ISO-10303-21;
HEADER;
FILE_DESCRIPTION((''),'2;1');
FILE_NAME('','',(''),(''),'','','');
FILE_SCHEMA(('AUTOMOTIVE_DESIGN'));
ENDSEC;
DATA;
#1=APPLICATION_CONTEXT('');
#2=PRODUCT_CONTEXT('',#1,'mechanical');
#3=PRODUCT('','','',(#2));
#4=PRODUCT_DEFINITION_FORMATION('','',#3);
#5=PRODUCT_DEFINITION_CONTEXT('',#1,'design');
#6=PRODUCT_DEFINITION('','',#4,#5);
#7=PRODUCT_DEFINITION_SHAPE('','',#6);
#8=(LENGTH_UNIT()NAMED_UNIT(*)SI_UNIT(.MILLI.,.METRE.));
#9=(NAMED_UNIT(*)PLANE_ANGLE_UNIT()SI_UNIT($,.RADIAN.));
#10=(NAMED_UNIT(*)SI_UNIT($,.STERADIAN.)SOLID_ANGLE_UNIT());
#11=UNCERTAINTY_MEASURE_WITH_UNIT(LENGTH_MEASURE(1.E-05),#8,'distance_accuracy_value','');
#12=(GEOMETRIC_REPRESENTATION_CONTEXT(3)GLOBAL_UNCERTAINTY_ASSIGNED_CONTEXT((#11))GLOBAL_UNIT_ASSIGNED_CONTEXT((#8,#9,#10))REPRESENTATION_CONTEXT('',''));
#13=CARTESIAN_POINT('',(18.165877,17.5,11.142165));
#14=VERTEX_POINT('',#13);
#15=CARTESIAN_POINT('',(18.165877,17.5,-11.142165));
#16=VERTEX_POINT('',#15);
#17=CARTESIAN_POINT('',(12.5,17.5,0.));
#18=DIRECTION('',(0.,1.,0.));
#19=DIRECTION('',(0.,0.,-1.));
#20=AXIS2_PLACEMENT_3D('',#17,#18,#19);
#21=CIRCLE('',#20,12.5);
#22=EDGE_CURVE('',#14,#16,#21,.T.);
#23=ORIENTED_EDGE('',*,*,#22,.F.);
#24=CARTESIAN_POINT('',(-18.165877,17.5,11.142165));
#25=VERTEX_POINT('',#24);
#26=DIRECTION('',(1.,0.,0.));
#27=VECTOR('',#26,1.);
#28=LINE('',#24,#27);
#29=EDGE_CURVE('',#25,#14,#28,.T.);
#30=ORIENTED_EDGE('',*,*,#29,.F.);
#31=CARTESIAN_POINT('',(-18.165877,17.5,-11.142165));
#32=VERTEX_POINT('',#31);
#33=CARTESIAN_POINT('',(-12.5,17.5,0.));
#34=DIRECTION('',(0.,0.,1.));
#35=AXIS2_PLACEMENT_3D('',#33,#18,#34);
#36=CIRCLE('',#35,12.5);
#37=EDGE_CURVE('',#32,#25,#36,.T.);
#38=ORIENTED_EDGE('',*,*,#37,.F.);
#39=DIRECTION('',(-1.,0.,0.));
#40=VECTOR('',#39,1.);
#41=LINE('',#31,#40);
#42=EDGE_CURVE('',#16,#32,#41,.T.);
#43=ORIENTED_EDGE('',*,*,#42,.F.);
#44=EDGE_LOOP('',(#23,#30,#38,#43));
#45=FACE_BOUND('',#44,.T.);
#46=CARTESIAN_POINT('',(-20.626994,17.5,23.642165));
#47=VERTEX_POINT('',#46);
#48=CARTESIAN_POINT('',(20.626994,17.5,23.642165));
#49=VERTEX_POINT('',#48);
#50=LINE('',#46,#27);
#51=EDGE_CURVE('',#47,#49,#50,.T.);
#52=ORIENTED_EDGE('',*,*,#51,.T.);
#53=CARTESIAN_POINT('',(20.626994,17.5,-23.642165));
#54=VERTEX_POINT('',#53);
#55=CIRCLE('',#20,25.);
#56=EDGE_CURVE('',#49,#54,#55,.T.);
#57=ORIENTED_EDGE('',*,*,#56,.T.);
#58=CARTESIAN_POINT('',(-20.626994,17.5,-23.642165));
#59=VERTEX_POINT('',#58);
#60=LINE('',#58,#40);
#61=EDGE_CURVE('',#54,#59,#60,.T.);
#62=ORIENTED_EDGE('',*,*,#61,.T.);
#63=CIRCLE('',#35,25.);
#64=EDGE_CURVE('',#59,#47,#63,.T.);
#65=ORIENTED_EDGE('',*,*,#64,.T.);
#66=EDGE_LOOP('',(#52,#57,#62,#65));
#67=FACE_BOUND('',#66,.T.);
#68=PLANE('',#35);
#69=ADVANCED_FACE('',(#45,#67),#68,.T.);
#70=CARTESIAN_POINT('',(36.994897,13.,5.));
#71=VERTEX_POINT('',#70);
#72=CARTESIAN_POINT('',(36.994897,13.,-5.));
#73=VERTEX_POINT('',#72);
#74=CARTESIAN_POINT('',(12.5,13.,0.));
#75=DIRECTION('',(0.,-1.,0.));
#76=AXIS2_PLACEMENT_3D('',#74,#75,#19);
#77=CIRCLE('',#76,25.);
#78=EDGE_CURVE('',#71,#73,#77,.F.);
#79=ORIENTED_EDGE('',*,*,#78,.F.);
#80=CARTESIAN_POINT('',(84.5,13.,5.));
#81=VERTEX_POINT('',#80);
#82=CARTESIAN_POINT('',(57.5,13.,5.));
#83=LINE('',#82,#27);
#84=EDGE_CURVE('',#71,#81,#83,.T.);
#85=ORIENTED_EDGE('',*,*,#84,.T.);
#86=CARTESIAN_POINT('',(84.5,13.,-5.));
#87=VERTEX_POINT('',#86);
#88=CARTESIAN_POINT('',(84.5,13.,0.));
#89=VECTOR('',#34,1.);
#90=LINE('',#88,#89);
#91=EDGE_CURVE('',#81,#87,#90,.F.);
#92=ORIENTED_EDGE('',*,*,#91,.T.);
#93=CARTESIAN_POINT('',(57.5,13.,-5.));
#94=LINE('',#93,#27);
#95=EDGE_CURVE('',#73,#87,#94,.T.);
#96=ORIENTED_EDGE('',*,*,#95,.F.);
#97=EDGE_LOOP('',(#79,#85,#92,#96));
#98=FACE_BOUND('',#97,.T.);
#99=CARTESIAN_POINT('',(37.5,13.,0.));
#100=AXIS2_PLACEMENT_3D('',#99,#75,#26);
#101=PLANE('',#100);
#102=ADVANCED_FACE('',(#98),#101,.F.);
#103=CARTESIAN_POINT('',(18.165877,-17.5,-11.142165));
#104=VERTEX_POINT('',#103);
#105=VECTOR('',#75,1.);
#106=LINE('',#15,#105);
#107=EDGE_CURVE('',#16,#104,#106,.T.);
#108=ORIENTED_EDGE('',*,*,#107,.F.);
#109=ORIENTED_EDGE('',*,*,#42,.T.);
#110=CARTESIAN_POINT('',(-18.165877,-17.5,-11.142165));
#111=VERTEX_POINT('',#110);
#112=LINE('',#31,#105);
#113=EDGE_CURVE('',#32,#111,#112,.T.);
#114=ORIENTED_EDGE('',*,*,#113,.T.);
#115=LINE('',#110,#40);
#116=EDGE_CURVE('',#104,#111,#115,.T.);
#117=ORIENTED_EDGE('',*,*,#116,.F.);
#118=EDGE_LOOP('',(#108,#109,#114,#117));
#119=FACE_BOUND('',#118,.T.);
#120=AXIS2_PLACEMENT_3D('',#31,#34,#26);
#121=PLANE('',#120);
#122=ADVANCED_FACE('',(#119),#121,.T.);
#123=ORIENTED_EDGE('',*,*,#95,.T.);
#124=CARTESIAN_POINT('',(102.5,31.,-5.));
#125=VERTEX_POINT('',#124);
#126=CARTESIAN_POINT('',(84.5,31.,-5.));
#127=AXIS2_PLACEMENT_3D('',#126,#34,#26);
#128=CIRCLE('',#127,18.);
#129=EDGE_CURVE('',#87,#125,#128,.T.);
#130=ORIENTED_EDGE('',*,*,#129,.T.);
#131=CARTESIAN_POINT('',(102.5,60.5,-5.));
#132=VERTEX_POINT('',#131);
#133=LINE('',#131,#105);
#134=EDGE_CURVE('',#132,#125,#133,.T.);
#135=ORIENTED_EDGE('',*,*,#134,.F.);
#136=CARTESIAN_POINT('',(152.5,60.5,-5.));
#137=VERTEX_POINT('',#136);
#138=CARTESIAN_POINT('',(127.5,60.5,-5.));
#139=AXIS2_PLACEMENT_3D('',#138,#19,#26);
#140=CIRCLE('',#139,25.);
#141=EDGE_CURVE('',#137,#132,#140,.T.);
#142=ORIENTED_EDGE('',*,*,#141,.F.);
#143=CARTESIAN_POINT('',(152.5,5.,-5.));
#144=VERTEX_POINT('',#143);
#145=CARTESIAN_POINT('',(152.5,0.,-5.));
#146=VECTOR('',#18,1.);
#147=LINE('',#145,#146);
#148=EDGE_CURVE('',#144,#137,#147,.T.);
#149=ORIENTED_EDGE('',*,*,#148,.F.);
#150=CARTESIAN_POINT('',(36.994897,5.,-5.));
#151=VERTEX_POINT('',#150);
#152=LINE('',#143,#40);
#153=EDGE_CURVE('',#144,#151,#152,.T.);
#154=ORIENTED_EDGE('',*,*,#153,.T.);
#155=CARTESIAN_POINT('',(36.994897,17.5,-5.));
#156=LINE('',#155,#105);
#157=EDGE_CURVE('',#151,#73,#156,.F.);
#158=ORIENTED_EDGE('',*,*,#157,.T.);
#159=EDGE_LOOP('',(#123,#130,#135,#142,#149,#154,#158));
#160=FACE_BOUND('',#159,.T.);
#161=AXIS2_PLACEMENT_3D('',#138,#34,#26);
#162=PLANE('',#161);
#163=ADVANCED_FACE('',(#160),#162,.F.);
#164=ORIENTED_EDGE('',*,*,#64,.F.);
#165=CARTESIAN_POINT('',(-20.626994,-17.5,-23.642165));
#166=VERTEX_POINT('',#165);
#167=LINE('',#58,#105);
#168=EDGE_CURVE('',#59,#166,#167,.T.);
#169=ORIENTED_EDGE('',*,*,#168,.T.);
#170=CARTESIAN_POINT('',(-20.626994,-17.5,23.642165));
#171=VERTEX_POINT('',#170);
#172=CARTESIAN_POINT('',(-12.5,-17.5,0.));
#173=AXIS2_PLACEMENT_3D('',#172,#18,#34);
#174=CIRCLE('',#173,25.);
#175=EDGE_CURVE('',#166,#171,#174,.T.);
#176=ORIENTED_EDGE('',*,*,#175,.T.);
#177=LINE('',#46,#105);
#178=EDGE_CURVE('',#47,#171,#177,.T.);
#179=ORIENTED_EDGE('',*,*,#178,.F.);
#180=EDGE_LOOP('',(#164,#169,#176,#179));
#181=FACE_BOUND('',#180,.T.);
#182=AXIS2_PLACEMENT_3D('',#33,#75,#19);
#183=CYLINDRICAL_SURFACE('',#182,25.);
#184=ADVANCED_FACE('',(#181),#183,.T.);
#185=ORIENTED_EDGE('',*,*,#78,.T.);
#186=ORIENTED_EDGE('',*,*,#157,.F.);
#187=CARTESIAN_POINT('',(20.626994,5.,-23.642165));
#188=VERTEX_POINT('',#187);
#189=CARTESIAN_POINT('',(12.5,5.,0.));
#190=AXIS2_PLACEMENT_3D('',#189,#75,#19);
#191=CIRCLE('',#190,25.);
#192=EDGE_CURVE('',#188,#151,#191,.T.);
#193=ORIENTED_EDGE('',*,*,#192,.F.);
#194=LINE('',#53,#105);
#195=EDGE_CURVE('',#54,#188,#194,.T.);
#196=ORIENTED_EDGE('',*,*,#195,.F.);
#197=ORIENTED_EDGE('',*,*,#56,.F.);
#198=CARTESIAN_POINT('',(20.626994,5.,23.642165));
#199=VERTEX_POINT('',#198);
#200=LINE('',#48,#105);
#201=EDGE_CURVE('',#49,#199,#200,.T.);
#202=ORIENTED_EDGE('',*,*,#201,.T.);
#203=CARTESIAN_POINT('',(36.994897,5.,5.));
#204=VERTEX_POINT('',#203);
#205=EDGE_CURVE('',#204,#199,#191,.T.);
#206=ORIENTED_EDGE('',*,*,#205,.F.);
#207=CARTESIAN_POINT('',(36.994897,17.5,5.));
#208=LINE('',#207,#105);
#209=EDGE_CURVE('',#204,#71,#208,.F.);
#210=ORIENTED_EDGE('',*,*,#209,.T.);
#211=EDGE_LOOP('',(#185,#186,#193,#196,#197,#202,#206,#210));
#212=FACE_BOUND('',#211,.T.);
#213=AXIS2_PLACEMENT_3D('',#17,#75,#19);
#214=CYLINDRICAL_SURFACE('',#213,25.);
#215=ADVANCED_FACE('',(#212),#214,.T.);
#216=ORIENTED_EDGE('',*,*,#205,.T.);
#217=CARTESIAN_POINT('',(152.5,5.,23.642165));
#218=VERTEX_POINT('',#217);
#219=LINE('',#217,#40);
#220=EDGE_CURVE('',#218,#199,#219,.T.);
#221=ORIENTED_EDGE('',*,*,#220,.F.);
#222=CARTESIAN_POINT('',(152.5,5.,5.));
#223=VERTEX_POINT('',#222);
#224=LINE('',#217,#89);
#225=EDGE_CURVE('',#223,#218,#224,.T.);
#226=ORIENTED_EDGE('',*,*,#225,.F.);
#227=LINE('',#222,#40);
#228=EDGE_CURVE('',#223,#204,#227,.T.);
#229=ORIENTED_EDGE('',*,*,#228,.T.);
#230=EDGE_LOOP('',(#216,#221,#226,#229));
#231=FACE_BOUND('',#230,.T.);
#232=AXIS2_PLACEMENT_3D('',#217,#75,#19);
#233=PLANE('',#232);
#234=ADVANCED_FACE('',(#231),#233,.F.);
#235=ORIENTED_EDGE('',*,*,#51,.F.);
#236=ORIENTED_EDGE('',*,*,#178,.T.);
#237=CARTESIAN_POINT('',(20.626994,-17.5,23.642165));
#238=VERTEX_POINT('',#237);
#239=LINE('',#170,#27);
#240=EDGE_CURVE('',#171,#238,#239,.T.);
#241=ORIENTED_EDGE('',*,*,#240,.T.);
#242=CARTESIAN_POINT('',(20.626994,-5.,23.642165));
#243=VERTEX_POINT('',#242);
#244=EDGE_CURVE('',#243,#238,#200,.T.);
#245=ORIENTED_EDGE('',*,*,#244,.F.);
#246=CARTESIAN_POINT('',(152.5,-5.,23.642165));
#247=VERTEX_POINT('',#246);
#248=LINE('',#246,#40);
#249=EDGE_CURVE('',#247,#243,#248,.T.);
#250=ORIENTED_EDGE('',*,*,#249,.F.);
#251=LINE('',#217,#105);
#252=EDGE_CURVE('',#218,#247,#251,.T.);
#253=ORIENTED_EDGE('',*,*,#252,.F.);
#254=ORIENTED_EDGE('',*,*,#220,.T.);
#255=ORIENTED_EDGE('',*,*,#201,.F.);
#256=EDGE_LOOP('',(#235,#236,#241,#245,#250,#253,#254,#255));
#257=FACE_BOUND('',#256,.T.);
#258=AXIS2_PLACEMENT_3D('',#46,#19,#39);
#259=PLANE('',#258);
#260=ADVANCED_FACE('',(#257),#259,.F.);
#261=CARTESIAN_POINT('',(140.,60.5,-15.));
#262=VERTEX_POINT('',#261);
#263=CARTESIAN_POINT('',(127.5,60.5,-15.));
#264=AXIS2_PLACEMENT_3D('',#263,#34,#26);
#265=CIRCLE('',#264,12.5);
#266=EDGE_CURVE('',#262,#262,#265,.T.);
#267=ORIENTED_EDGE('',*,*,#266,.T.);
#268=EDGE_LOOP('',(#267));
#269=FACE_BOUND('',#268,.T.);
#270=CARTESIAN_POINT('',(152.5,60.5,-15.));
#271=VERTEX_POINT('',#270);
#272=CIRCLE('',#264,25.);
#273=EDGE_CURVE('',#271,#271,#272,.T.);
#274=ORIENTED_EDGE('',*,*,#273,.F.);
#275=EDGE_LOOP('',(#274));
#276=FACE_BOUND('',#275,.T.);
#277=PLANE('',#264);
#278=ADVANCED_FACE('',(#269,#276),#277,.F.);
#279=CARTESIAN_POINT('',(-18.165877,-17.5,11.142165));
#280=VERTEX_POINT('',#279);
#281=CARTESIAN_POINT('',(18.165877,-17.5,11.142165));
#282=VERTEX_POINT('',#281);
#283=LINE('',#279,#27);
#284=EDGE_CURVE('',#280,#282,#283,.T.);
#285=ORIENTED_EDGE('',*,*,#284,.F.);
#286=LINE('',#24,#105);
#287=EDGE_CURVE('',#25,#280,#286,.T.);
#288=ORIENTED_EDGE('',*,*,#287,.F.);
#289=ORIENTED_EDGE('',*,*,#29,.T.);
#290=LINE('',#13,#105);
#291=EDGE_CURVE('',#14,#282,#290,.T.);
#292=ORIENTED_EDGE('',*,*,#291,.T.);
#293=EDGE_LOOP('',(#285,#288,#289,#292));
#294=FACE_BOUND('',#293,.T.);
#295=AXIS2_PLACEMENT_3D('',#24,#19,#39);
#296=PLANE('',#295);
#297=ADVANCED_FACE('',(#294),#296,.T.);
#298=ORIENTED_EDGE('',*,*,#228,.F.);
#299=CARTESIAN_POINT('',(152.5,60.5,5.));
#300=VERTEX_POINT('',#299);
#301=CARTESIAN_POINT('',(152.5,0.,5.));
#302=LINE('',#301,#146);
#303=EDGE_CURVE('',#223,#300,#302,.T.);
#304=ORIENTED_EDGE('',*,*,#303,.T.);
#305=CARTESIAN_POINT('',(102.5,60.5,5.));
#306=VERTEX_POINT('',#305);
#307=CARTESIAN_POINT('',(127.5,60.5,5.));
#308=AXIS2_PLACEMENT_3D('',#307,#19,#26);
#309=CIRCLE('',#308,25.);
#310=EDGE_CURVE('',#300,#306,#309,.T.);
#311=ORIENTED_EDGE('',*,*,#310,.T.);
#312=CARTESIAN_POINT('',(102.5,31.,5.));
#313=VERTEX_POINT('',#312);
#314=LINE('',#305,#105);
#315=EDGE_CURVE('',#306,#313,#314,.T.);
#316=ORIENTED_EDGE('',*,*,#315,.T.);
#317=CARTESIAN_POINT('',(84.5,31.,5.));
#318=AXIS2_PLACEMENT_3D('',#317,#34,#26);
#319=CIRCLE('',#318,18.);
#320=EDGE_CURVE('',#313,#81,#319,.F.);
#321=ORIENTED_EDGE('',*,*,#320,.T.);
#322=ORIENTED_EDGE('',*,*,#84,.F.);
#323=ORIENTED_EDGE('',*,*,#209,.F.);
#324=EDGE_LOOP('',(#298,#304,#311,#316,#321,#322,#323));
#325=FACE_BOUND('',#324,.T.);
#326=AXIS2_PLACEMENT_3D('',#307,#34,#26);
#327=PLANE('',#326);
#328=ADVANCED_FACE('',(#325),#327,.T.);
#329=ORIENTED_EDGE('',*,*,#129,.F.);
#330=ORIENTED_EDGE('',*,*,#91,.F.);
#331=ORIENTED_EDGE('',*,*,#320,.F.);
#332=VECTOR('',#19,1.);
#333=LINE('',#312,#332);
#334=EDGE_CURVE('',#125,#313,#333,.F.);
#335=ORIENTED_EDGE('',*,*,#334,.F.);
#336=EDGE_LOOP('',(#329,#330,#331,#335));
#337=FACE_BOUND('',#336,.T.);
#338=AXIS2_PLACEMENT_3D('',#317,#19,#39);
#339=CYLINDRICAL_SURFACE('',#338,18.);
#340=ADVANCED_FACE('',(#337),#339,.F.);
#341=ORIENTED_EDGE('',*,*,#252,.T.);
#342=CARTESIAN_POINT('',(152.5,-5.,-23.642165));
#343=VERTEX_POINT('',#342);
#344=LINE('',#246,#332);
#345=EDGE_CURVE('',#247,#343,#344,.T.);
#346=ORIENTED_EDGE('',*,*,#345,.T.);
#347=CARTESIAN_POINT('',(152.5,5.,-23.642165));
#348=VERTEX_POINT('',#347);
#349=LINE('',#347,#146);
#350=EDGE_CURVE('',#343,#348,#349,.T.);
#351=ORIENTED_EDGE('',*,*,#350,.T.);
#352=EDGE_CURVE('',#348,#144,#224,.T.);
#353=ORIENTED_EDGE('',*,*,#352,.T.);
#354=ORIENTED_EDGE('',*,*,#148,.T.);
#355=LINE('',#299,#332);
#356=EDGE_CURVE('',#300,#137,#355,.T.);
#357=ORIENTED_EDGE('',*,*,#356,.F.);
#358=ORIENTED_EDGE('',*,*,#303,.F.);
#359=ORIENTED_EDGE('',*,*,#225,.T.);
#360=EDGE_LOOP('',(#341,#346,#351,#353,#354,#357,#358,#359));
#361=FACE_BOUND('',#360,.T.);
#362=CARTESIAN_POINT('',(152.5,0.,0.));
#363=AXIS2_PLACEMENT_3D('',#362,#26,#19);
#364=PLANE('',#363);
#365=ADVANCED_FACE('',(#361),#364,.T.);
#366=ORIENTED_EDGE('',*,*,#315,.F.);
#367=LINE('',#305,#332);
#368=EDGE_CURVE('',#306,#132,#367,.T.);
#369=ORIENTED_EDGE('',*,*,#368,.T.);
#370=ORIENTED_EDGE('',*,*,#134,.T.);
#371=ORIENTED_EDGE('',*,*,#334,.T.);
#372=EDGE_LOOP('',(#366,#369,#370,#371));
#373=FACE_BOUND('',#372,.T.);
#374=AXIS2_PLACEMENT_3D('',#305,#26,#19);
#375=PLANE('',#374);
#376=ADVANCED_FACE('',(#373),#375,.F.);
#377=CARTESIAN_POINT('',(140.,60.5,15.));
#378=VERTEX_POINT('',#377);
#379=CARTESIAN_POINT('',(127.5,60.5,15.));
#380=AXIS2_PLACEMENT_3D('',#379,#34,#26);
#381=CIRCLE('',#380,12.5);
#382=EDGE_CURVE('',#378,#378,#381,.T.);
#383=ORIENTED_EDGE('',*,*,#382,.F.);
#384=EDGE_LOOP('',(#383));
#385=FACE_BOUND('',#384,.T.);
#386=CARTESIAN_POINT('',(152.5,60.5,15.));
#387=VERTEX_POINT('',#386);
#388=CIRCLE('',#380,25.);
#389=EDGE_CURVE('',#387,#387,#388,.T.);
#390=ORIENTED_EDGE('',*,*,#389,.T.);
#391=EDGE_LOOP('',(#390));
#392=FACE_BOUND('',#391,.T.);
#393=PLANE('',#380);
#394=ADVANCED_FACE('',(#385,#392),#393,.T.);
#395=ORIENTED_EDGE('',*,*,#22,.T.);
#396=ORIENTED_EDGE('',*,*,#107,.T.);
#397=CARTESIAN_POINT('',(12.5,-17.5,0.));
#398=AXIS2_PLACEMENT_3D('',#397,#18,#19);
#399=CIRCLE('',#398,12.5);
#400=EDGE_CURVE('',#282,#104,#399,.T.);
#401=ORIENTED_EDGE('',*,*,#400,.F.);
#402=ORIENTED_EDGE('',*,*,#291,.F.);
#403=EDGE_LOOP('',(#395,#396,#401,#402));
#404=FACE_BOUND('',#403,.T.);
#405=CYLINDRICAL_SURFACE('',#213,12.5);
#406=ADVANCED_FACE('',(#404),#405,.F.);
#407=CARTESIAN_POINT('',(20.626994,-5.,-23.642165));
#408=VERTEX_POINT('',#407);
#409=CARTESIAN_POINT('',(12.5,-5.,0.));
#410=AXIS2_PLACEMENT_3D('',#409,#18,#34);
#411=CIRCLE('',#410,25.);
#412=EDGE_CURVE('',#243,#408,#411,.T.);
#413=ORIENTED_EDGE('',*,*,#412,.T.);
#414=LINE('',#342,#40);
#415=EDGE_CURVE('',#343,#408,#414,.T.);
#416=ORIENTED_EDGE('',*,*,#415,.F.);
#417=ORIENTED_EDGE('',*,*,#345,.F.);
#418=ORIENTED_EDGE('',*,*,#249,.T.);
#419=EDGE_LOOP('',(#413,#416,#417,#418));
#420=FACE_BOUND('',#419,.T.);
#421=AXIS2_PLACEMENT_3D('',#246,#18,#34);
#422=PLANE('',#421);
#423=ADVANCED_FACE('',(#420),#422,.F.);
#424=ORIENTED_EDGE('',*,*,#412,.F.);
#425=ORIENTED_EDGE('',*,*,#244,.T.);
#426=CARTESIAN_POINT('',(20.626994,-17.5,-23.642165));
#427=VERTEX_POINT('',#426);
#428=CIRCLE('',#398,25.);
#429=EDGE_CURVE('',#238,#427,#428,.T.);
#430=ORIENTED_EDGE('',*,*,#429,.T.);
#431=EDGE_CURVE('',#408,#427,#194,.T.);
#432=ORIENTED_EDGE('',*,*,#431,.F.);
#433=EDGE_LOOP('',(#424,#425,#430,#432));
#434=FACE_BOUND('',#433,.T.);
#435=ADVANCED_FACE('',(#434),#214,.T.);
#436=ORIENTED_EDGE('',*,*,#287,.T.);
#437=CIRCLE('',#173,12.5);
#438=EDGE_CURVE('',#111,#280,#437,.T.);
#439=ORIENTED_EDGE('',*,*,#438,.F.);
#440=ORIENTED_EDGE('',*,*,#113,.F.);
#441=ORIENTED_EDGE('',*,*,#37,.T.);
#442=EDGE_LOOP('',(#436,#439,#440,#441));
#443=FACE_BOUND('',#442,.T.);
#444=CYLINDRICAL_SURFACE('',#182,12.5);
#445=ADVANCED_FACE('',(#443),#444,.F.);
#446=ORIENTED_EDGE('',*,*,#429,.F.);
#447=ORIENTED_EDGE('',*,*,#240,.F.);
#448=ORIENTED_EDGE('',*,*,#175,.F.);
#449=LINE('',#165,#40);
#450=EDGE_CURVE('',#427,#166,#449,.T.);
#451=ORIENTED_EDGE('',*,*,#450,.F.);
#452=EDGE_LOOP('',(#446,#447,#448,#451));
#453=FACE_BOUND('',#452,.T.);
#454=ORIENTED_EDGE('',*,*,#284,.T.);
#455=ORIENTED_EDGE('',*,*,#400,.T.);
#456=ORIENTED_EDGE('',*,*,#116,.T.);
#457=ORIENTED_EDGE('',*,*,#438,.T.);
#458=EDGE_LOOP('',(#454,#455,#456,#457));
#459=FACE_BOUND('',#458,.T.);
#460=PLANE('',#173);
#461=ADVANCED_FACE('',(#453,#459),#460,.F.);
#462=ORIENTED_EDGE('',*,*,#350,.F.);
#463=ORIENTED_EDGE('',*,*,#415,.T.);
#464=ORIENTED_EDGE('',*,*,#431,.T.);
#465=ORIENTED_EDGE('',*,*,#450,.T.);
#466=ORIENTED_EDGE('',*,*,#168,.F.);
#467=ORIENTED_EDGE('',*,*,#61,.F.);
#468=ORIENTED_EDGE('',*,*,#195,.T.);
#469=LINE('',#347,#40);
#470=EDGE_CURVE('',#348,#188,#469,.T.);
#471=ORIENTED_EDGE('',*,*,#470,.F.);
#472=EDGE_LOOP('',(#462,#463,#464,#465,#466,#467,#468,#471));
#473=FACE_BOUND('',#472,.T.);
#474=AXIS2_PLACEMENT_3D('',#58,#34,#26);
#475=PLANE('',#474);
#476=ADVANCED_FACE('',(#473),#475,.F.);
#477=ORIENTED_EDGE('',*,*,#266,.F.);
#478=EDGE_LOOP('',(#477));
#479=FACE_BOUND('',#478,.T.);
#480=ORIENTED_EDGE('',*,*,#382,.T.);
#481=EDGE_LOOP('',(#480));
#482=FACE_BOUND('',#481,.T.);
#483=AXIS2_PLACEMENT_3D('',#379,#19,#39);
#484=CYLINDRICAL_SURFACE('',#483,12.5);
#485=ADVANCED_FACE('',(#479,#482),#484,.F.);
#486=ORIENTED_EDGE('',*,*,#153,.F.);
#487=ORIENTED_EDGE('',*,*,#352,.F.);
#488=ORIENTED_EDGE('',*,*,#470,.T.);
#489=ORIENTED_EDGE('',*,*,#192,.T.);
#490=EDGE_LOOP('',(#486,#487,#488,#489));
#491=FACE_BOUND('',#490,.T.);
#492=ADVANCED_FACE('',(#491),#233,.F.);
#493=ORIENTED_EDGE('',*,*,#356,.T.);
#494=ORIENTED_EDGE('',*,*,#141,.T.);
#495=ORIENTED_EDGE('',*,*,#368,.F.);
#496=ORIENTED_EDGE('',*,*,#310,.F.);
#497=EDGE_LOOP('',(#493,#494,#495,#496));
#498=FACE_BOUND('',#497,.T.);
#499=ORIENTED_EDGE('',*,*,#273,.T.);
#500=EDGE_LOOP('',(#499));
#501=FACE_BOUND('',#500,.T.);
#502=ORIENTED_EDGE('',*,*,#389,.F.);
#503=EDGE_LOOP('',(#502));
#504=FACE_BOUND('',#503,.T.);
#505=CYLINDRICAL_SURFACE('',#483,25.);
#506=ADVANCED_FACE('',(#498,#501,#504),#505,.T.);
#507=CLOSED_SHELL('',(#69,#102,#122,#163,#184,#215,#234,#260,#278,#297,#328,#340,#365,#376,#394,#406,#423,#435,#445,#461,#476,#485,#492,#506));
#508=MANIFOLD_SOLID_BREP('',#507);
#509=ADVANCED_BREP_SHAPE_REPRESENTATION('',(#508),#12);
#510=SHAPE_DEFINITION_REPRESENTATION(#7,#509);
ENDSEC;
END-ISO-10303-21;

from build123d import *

# Parameters (mm, degrees)
BOSS_EXTRUDE1_DEPTH = 17.5
SKETCH3_W           = 47.284329966
SKETCH3_H           = 10
BOSS_EXTRUDE2_DEPTH = 152.5
CUT_EXTRUDE1_DEPTH  = 152.5
SKETCH5_R           = 25
SKETCH5_R_2         = 12.5
BOSS_EXTRUDE3_DEPTH = 15
BOSS_EXTRUDE4_DEPTH = 5
RIB1_REACH          = 178.424
SKETCH7_WALL_W      = 419.848137108
SKETCH7_WALL_H      = 10
FILLET1_R           = 18


with BuildPart() as part:
    # Sketch2 → Boss-Extrude1 (new, symmetric)
    with BuildSketch(Plane(origin=(0, 0, 0), x_dir=(1, 0, 0), z_dir=(0, 1, 0))):
        with BuildLine():
            Line((-20.626994213, -23.642164983), (20.626994213, -23.642164983))
            ThreePointArc((20.626994213, -23.642164983), (37.5, 0), (20.626994213, 23.642164983))
            Line((20.626994213, 23.642164983), (-20.626994213, 23.642164983))
            ThreePointArc((-20.626994213, 23.642164983), (-37.5, 0), (-20.626994213, -23.642164983))
        make_face()
        with BuildLine():
            Line((-18.165876764, -11.142164983), (18.165876764, -11.142164983))
            ThreePointArc((18.165876764, -11.142164983), (25, 0), (18.165876764, 11.142164983))
            Line((18.165876764, 11.142164983), (-18.165876764, 11.142164983))
            ThreePointArc((-18.165876764, 11.142164983), (-25, 0), (-18.165876764, -11.142164983))
        make_face(mode=Mode.SUBTRACT)
    extrude(amount=BOSS_EXTRUDE1_DEPTH, both=True)

    # Sketch3 → Boss-Extrude2 (add)
    with BuildSketch(Plane(origin=(0, 0, 0), x_dir=(0, 0, -1), z_dir=(1, 0, 0))):
        Rectangle(SKETCH3_W, SKETCH3_H)
    extrude(amount=BOSS_EXTRUDE2_DEPTH)

    # Sketch4 → Cut-Extrude1 (cut)
    with BuildSketch(Plane(origin=(0, 17.5, 0), x_dir=(1, 0, 0), z_dir=(0, 1, 0))):
        with BuildLine():
            Line((-18.165876764, -11.142164983), (18.165876764, -11.142164983))
            ThreePointArc((18.165876764, -11.142164983), (25, 0), (18.165876764, 11.142164983))
            Line((18.165876764, 11.142164983), (-18.165876764, 11.142164983))
            ThreePointArc((-18.165876764, 11.142164983), (-25, 0), (-18.165876764, -11.142164983))
        make_face()
    extrude(amount=-CUT_EXTRUDE1_DEPTH, mode=Mode.SUBTRACT)



with BuildPart() as body_2:
    # Sketch5 → Boss-Extrude3 (new, symmetric)
    with BuildSketch(Plane.XY):
        with Locations((127.5, 60.5)):
            Circle(SKETCH5_R)
        with Locations((127.5, 60.5)):
            Circle(SKETCH5_R_2, mode=Mode.SUBTRACT)
    extrude(amount=BOSS_EXTRUDE3_DEPTH, both=True)


with BuildPart() as part_1:
    add(part.part)

    add(body_2.part)  # Boss-Extrude4 merges body 2
    # Sketch6 → Boss-Extrude4 (add, symmetric)
    with BuildSketch(Plane.XY):
        with BuildLine():
            Line((102.5, 60.5), (102.5, 0))
            Line((102.5, 0), (152.5, 0))
            Line((152.5, 0), (152.5, 60.5))
            ThreePointArc((152.5, 60.5), (127.5, 35.5), (102.5, 60.5))
        make_face()
    extrude(amount=BOSS_EXTRUDE4_DEPTH, both=True)

    # Sketch7 wall → Rib1 (add, up to next)
    with BuildSketch(Plane(origin=(70, 13, 0), x_dir=(1, 0, 0), z_dir=(0, 1, 0)), mode=Mode.PRIVATE) as rib1_sk1:
        Rectangle(SKETCH7_WALL_W, SKETCH7_WALL_H)
    rib1_tool1 = extrude(rib1_sk1.sketch, amount=-RIB1_REACH, mode=Mode.PRIVATE) - part_1.part
    add(rib1_tool1.solids().sort_by_distance((70, 13, 0))[0])

    # Fillet1
    fillet1_edges = [part_1.edges().sort_by_distance(p)[0] for p in [
        (102.5, 13, 0),
    ]]
    fillet(fillet1_edges, radius=FILLET1_R)


solid = part_1.part
